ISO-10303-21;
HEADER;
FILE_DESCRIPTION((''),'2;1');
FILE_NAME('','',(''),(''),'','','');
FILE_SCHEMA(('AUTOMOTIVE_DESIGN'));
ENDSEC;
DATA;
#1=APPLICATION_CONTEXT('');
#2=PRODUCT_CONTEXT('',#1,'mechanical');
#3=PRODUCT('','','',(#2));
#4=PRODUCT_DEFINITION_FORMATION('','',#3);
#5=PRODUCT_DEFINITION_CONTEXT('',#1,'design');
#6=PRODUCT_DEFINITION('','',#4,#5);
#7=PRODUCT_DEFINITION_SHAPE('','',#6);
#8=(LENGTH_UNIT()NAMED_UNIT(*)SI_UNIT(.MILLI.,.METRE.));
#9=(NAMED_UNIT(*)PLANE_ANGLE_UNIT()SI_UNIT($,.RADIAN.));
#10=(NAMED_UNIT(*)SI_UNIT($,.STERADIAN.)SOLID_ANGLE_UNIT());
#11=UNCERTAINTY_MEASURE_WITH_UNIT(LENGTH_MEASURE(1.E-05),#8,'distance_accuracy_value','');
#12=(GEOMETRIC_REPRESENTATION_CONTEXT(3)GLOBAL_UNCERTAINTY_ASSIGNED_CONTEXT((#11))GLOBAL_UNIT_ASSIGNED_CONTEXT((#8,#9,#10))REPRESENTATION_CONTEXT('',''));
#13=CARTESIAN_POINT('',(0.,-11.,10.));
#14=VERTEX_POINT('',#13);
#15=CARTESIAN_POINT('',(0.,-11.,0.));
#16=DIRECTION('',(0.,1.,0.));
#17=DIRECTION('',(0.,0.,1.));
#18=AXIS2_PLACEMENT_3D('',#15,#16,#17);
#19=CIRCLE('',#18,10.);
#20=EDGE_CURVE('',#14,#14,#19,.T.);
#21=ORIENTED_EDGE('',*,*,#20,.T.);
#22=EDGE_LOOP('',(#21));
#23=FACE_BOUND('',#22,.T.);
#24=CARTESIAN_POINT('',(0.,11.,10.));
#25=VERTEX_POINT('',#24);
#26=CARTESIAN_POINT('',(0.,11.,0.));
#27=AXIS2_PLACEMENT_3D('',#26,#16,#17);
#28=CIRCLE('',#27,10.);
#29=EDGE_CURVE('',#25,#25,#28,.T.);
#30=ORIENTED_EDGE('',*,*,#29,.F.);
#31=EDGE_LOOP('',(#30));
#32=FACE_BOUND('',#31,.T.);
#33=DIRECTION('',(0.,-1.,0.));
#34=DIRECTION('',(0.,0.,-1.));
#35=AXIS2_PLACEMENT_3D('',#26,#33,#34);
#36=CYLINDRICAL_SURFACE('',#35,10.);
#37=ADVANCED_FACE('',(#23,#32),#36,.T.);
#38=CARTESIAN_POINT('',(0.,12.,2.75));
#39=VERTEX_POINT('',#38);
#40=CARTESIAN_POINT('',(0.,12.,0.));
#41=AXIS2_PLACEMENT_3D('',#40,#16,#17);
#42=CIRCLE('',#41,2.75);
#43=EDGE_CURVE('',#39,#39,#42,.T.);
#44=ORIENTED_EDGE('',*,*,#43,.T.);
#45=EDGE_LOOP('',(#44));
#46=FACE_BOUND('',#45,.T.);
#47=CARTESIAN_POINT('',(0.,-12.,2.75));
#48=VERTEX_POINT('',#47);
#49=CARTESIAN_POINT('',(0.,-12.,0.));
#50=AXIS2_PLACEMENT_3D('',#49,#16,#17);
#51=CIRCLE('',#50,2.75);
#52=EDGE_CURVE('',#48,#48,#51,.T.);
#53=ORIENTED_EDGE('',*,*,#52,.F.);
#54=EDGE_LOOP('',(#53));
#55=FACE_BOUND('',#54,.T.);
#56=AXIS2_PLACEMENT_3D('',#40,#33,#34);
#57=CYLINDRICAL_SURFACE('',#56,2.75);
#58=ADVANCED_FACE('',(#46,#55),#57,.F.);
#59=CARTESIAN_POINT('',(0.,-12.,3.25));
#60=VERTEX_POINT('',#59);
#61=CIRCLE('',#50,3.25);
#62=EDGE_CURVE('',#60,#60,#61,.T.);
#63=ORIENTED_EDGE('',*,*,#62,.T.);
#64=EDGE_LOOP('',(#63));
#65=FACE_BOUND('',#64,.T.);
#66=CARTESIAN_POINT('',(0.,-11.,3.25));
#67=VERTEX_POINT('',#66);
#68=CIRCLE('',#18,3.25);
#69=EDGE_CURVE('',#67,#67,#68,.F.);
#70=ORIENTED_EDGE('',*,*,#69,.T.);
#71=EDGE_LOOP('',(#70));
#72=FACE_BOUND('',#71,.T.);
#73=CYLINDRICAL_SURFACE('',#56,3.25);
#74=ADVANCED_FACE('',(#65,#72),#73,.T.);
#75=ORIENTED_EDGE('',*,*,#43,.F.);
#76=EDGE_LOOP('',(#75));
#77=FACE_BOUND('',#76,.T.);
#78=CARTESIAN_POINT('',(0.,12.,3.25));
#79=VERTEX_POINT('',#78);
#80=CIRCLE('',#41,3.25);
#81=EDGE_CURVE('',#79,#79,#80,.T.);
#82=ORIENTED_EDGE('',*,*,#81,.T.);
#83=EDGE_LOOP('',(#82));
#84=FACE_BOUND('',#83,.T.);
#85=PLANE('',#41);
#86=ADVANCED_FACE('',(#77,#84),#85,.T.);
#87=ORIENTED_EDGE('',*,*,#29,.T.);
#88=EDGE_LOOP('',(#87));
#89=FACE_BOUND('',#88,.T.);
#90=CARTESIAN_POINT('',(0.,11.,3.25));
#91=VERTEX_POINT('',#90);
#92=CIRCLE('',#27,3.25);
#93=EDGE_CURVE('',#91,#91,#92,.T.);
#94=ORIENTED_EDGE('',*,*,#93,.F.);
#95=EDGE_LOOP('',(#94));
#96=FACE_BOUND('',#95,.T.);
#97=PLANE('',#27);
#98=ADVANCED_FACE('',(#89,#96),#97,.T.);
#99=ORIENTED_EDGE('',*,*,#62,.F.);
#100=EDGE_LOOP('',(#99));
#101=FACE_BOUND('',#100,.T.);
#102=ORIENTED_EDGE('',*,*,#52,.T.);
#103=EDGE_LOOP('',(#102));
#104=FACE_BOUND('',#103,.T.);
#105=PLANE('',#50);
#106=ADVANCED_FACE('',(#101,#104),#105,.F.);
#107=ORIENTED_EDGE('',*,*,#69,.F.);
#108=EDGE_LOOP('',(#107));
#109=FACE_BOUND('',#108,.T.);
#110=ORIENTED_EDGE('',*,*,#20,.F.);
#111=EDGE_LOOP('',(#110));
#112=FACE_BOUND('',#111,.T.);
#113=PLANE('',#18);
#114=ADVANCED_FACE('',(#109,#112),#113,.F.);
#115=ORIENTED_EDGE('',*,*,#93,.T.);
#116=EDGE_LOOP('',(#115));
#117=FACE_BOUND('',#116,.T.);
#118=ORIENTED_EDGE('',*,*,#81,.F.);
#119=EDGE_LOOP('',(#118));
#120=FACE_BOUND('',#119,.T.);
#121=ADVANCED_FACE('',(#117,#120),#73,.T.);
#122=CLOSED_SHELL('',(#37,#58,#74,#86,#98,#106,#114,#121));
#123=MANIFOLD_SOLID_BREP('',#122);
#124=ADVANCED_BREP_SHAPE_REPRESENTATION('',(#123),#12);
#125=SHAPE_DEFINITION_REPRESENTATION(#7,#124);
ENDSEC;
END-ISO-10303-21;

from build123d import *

# Parameters (mm, degrees)
ESBO_O1_R                = 10
ESBO_O1_R_2              = 3.25
RESSALTO_EXTRUS_O1_DEPTH = 11
ESBO_O1_3_R              = 3.25
ESBO_O1_3_R_2            = 2.75
RESSALTO_EXTRUS_O2_DEPTH = 12


with BuildPart() as part:
    # Esboço1 → Ressalto-extrusão1 (new, symmetric)
    with BuildSketch(Plane(origin=(0, 0, 0), x_dir=(1, 0, 0), z_dir=(0, 1, 0))):
        Circle(ESBO_O1_R)
        Circle(ESBO_O1_R_2, mode=Mode.SUBTRACT)
    extrude(amount=RESSALTO_EXTRUS_O1_DEPTH, both=True)

    # Esboço1<3> → Ressalto-extrusão2 (add, symmetric)
    with BuildSketch(Plane(origin=(0, 0, 0), x_dir=(1, 0, 0), z_dir=(0, 1, 0))):
        Circle(ESBO_O1_3_R)
        Circle(ESBO_O1_3_R_2, mode=Mode.SUBTRACT)
    extrude(amount=RESSALTO_EXTRUS_O2_DEPTH, both=True)


solid = part.part
